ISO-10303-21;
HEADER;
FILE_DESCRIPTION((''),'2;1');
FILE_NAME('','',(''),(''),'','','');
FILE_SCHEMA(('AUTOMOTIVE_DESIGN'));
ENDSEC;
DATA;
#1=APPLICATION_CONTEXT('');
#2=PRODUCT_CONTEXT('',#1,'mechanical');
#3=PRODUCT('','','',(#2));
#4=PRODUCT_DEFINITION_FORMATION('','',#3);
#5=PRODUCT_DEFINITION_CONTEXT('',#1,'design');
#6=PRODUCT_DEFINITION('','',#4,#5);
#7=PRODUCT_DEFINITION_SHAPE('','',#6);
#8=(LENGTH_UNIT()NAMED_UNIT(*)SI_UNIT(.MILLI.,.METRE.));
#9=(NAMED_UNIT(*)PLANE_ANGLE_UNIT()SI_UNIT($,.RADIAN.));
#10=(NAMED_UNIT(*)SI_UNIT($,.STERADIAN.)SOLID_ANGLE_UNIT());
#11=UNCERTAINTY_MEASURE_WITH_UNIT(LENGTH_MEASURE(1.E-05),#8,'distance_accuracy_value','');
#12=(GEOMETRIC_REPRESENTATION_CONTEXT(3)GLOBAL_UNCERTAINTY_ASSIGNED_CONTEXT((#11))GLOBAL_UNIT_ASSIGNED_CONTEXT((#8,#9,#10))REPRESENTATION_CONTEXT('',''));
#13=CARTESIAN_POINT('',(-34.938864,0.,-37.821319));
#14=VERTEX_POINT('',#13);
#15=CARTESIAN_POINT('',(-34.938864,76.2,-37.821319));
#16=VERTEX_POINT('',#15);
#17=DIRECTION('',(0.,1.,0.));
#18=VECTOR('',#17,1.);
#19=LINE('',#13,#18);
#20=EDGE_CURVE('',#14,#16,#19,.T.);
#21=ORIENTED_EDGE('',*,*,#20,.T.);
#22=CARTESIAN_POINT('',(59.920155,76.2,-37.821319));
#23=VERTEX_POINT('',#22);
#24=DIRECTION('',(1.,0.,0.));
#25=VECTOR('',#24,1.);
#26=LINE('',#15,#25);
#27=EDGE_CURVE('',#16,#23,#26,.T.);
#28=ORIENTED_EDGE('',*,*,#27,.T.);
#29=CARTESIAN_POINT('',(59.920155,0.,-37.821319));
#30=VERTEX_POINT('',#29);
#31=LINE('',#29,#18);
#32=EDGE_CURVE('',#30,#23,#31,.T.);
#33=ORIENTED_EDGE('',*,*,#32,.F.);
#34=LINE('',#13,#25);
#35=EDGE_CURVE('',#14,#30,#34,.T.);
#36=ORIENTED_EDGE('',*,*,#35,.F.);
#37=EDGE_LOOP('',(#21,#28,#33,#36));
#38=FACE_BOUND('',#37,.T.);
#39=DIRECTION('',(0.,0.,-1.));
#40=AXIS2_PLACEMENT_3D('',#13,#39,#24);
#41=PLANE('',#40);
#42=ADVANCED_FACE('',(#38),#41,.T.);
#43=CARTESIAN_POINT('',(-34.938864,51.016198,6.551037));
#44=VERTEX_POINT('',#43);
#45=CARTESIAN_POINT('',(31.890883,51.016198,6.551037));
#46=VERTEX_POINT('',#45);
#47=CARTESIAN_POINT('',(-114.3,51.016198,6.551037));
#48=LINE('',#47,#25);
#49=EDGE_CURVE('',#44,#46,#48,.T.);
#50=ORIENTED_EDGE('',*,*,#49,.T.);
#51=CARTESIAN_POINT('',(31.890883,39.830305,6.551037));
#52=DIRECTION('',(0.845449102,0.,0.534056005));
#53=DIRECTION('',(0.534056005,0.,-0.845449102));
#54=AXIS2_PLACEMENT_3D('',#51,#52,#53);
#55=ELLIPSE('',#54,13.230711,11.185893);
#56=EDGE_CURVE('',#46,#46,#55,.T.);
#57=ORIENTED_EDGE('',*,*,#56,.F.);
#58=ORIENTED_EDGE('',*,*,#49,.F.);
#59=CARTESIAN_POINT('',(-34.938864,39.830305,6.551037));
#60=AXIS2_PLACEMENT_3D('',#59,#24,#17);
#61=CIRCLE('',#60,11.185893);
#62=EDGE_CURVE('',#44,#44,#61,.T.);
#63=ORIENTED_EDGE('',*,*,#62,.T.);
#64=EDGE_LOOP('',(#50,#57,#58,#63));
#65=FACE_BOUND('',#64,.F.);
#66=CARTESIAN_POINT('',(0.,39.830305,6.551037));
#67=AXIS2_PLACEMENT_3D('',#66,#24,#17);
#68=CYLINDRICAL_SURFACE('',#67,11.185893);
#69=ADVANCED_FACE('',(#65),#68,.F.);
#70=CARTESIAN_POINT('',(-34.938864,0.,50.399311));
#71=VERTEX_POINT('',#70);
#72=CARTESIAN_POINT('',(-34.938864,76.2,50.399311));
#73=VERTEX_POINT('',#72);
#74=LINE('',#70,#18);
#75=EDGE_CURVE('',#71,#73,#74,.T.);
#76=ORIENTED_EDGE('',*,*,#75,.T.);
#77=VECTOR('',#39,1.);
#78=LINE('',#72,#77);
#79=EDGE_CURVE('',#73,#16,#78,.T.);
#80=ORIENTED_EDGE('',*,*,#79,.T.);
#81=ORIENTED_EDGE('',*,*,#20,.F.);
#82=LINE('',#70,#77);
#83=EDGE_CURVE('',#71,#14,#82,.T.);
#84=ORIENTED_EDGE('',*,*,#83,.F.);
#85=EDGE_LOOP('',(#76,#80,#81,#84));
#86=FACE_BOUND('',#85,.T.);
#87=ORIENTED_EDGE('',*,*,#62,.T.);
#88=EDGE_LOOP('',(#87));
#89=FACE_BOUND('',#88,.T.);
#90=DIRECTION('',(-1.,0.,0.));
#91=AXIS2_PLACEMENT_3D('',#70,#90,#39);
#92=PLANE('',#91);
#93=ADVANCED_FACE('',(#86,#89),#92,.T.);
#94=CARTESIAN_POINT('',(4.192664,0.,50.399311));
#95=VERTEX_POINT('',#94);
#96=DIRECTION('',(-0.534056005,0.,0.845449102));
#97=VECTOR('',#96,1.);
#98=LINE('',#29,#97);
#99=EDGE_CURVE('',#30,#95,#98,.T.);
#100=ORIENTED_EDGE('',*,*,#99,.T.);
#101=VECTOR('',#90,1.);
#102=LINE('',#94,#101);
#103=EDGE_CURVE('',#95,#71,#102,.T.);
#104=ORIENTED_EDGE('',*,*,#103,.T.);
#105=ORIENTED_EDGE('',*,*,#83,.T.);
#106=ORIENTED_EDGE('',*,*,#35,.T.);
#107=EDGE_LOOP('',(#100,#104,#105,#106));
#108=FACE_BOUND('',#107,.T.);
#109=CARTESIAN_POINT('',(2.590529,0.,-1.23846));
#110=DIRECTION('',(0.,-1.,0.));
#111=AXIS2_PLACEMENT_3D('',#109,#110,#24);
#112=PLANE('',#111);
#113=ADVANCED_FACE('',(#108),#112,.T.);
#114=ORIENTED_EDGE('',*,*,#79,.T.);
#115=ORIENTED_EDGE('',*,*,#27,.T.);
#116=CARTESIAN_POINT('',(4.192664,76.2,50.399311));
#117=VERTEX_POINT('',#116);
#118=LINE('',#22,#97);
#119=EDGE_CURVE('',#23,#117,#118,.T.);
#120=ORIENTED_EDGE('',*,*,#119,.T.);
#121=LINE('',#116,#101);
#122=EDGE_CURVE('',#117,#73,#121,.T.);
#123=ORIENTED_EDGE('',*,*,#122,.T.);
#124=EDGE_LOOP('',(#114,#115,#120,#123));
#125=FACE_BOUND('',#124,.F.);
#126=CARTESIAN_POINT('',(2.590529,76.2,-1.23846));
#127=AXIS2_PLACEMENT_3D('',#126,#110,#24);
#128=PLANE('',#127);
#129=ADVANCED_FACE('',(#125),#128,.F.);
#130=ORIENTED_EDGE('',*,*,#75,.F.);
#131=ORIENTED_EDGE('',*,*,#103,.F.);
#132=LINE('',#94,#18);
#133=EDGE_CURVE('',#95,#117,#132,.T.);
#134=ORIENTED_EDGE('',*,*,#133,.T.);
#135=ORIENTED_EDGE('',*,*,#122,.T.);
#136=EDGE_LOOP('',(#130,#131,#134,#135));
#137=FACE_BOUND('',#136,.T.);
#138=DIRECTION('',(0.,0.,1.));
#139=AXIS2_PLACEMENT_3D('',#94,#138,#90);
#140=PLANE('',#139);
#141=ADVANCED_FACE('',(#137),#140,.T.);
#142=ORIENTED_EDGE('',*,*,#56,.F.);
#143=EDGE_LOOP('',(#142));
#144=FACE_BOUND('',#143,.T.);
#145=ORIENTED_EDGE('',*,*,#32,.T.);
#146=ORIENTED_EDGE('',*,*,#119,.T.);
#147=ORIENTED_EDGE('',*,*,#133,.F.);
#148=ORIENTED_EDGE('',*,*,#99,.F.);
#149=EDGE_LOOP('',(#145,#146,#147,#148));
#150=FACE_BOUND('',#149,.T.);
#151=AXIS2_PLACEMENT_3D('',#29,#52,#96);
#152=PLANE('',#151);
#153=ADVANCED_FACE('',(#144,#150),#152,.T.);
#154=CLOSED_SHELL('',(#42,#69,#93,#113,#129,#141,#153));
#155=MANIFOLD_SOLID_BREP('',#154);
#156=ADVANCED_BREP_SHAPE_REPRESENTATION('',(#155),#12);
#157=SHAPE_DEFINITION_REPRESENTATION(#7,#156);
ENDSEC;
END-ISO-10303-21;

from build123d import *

# Parameters (mm, degrees)
F1_DEPTH = 76.2
F2_R     = 11.185893
F3_DEPTH = 114.3


with BuildPart() as f1:
    # F0 (on Front) → F1 (new body)
    with BuildSketch(Plane.XZ):
        Polygon((4.192664, 50.399311), (-34.938864, 50.399311), (-34.938864, -37.821319), (59.920155, -37.821319), align=None)
    extrude(amount=-F1_DEPTH)

    # F2 (on Right) → F3 (cut, symmetric)
    with BuildSketch(Plane.YZ):
        with Locations((39.830305, 6.551037)):
            Circle(F2_R)
    extrude(amount=F3_DEPTH, both=True, mode=Mode.SUBTRACT)


solid = f1.part
